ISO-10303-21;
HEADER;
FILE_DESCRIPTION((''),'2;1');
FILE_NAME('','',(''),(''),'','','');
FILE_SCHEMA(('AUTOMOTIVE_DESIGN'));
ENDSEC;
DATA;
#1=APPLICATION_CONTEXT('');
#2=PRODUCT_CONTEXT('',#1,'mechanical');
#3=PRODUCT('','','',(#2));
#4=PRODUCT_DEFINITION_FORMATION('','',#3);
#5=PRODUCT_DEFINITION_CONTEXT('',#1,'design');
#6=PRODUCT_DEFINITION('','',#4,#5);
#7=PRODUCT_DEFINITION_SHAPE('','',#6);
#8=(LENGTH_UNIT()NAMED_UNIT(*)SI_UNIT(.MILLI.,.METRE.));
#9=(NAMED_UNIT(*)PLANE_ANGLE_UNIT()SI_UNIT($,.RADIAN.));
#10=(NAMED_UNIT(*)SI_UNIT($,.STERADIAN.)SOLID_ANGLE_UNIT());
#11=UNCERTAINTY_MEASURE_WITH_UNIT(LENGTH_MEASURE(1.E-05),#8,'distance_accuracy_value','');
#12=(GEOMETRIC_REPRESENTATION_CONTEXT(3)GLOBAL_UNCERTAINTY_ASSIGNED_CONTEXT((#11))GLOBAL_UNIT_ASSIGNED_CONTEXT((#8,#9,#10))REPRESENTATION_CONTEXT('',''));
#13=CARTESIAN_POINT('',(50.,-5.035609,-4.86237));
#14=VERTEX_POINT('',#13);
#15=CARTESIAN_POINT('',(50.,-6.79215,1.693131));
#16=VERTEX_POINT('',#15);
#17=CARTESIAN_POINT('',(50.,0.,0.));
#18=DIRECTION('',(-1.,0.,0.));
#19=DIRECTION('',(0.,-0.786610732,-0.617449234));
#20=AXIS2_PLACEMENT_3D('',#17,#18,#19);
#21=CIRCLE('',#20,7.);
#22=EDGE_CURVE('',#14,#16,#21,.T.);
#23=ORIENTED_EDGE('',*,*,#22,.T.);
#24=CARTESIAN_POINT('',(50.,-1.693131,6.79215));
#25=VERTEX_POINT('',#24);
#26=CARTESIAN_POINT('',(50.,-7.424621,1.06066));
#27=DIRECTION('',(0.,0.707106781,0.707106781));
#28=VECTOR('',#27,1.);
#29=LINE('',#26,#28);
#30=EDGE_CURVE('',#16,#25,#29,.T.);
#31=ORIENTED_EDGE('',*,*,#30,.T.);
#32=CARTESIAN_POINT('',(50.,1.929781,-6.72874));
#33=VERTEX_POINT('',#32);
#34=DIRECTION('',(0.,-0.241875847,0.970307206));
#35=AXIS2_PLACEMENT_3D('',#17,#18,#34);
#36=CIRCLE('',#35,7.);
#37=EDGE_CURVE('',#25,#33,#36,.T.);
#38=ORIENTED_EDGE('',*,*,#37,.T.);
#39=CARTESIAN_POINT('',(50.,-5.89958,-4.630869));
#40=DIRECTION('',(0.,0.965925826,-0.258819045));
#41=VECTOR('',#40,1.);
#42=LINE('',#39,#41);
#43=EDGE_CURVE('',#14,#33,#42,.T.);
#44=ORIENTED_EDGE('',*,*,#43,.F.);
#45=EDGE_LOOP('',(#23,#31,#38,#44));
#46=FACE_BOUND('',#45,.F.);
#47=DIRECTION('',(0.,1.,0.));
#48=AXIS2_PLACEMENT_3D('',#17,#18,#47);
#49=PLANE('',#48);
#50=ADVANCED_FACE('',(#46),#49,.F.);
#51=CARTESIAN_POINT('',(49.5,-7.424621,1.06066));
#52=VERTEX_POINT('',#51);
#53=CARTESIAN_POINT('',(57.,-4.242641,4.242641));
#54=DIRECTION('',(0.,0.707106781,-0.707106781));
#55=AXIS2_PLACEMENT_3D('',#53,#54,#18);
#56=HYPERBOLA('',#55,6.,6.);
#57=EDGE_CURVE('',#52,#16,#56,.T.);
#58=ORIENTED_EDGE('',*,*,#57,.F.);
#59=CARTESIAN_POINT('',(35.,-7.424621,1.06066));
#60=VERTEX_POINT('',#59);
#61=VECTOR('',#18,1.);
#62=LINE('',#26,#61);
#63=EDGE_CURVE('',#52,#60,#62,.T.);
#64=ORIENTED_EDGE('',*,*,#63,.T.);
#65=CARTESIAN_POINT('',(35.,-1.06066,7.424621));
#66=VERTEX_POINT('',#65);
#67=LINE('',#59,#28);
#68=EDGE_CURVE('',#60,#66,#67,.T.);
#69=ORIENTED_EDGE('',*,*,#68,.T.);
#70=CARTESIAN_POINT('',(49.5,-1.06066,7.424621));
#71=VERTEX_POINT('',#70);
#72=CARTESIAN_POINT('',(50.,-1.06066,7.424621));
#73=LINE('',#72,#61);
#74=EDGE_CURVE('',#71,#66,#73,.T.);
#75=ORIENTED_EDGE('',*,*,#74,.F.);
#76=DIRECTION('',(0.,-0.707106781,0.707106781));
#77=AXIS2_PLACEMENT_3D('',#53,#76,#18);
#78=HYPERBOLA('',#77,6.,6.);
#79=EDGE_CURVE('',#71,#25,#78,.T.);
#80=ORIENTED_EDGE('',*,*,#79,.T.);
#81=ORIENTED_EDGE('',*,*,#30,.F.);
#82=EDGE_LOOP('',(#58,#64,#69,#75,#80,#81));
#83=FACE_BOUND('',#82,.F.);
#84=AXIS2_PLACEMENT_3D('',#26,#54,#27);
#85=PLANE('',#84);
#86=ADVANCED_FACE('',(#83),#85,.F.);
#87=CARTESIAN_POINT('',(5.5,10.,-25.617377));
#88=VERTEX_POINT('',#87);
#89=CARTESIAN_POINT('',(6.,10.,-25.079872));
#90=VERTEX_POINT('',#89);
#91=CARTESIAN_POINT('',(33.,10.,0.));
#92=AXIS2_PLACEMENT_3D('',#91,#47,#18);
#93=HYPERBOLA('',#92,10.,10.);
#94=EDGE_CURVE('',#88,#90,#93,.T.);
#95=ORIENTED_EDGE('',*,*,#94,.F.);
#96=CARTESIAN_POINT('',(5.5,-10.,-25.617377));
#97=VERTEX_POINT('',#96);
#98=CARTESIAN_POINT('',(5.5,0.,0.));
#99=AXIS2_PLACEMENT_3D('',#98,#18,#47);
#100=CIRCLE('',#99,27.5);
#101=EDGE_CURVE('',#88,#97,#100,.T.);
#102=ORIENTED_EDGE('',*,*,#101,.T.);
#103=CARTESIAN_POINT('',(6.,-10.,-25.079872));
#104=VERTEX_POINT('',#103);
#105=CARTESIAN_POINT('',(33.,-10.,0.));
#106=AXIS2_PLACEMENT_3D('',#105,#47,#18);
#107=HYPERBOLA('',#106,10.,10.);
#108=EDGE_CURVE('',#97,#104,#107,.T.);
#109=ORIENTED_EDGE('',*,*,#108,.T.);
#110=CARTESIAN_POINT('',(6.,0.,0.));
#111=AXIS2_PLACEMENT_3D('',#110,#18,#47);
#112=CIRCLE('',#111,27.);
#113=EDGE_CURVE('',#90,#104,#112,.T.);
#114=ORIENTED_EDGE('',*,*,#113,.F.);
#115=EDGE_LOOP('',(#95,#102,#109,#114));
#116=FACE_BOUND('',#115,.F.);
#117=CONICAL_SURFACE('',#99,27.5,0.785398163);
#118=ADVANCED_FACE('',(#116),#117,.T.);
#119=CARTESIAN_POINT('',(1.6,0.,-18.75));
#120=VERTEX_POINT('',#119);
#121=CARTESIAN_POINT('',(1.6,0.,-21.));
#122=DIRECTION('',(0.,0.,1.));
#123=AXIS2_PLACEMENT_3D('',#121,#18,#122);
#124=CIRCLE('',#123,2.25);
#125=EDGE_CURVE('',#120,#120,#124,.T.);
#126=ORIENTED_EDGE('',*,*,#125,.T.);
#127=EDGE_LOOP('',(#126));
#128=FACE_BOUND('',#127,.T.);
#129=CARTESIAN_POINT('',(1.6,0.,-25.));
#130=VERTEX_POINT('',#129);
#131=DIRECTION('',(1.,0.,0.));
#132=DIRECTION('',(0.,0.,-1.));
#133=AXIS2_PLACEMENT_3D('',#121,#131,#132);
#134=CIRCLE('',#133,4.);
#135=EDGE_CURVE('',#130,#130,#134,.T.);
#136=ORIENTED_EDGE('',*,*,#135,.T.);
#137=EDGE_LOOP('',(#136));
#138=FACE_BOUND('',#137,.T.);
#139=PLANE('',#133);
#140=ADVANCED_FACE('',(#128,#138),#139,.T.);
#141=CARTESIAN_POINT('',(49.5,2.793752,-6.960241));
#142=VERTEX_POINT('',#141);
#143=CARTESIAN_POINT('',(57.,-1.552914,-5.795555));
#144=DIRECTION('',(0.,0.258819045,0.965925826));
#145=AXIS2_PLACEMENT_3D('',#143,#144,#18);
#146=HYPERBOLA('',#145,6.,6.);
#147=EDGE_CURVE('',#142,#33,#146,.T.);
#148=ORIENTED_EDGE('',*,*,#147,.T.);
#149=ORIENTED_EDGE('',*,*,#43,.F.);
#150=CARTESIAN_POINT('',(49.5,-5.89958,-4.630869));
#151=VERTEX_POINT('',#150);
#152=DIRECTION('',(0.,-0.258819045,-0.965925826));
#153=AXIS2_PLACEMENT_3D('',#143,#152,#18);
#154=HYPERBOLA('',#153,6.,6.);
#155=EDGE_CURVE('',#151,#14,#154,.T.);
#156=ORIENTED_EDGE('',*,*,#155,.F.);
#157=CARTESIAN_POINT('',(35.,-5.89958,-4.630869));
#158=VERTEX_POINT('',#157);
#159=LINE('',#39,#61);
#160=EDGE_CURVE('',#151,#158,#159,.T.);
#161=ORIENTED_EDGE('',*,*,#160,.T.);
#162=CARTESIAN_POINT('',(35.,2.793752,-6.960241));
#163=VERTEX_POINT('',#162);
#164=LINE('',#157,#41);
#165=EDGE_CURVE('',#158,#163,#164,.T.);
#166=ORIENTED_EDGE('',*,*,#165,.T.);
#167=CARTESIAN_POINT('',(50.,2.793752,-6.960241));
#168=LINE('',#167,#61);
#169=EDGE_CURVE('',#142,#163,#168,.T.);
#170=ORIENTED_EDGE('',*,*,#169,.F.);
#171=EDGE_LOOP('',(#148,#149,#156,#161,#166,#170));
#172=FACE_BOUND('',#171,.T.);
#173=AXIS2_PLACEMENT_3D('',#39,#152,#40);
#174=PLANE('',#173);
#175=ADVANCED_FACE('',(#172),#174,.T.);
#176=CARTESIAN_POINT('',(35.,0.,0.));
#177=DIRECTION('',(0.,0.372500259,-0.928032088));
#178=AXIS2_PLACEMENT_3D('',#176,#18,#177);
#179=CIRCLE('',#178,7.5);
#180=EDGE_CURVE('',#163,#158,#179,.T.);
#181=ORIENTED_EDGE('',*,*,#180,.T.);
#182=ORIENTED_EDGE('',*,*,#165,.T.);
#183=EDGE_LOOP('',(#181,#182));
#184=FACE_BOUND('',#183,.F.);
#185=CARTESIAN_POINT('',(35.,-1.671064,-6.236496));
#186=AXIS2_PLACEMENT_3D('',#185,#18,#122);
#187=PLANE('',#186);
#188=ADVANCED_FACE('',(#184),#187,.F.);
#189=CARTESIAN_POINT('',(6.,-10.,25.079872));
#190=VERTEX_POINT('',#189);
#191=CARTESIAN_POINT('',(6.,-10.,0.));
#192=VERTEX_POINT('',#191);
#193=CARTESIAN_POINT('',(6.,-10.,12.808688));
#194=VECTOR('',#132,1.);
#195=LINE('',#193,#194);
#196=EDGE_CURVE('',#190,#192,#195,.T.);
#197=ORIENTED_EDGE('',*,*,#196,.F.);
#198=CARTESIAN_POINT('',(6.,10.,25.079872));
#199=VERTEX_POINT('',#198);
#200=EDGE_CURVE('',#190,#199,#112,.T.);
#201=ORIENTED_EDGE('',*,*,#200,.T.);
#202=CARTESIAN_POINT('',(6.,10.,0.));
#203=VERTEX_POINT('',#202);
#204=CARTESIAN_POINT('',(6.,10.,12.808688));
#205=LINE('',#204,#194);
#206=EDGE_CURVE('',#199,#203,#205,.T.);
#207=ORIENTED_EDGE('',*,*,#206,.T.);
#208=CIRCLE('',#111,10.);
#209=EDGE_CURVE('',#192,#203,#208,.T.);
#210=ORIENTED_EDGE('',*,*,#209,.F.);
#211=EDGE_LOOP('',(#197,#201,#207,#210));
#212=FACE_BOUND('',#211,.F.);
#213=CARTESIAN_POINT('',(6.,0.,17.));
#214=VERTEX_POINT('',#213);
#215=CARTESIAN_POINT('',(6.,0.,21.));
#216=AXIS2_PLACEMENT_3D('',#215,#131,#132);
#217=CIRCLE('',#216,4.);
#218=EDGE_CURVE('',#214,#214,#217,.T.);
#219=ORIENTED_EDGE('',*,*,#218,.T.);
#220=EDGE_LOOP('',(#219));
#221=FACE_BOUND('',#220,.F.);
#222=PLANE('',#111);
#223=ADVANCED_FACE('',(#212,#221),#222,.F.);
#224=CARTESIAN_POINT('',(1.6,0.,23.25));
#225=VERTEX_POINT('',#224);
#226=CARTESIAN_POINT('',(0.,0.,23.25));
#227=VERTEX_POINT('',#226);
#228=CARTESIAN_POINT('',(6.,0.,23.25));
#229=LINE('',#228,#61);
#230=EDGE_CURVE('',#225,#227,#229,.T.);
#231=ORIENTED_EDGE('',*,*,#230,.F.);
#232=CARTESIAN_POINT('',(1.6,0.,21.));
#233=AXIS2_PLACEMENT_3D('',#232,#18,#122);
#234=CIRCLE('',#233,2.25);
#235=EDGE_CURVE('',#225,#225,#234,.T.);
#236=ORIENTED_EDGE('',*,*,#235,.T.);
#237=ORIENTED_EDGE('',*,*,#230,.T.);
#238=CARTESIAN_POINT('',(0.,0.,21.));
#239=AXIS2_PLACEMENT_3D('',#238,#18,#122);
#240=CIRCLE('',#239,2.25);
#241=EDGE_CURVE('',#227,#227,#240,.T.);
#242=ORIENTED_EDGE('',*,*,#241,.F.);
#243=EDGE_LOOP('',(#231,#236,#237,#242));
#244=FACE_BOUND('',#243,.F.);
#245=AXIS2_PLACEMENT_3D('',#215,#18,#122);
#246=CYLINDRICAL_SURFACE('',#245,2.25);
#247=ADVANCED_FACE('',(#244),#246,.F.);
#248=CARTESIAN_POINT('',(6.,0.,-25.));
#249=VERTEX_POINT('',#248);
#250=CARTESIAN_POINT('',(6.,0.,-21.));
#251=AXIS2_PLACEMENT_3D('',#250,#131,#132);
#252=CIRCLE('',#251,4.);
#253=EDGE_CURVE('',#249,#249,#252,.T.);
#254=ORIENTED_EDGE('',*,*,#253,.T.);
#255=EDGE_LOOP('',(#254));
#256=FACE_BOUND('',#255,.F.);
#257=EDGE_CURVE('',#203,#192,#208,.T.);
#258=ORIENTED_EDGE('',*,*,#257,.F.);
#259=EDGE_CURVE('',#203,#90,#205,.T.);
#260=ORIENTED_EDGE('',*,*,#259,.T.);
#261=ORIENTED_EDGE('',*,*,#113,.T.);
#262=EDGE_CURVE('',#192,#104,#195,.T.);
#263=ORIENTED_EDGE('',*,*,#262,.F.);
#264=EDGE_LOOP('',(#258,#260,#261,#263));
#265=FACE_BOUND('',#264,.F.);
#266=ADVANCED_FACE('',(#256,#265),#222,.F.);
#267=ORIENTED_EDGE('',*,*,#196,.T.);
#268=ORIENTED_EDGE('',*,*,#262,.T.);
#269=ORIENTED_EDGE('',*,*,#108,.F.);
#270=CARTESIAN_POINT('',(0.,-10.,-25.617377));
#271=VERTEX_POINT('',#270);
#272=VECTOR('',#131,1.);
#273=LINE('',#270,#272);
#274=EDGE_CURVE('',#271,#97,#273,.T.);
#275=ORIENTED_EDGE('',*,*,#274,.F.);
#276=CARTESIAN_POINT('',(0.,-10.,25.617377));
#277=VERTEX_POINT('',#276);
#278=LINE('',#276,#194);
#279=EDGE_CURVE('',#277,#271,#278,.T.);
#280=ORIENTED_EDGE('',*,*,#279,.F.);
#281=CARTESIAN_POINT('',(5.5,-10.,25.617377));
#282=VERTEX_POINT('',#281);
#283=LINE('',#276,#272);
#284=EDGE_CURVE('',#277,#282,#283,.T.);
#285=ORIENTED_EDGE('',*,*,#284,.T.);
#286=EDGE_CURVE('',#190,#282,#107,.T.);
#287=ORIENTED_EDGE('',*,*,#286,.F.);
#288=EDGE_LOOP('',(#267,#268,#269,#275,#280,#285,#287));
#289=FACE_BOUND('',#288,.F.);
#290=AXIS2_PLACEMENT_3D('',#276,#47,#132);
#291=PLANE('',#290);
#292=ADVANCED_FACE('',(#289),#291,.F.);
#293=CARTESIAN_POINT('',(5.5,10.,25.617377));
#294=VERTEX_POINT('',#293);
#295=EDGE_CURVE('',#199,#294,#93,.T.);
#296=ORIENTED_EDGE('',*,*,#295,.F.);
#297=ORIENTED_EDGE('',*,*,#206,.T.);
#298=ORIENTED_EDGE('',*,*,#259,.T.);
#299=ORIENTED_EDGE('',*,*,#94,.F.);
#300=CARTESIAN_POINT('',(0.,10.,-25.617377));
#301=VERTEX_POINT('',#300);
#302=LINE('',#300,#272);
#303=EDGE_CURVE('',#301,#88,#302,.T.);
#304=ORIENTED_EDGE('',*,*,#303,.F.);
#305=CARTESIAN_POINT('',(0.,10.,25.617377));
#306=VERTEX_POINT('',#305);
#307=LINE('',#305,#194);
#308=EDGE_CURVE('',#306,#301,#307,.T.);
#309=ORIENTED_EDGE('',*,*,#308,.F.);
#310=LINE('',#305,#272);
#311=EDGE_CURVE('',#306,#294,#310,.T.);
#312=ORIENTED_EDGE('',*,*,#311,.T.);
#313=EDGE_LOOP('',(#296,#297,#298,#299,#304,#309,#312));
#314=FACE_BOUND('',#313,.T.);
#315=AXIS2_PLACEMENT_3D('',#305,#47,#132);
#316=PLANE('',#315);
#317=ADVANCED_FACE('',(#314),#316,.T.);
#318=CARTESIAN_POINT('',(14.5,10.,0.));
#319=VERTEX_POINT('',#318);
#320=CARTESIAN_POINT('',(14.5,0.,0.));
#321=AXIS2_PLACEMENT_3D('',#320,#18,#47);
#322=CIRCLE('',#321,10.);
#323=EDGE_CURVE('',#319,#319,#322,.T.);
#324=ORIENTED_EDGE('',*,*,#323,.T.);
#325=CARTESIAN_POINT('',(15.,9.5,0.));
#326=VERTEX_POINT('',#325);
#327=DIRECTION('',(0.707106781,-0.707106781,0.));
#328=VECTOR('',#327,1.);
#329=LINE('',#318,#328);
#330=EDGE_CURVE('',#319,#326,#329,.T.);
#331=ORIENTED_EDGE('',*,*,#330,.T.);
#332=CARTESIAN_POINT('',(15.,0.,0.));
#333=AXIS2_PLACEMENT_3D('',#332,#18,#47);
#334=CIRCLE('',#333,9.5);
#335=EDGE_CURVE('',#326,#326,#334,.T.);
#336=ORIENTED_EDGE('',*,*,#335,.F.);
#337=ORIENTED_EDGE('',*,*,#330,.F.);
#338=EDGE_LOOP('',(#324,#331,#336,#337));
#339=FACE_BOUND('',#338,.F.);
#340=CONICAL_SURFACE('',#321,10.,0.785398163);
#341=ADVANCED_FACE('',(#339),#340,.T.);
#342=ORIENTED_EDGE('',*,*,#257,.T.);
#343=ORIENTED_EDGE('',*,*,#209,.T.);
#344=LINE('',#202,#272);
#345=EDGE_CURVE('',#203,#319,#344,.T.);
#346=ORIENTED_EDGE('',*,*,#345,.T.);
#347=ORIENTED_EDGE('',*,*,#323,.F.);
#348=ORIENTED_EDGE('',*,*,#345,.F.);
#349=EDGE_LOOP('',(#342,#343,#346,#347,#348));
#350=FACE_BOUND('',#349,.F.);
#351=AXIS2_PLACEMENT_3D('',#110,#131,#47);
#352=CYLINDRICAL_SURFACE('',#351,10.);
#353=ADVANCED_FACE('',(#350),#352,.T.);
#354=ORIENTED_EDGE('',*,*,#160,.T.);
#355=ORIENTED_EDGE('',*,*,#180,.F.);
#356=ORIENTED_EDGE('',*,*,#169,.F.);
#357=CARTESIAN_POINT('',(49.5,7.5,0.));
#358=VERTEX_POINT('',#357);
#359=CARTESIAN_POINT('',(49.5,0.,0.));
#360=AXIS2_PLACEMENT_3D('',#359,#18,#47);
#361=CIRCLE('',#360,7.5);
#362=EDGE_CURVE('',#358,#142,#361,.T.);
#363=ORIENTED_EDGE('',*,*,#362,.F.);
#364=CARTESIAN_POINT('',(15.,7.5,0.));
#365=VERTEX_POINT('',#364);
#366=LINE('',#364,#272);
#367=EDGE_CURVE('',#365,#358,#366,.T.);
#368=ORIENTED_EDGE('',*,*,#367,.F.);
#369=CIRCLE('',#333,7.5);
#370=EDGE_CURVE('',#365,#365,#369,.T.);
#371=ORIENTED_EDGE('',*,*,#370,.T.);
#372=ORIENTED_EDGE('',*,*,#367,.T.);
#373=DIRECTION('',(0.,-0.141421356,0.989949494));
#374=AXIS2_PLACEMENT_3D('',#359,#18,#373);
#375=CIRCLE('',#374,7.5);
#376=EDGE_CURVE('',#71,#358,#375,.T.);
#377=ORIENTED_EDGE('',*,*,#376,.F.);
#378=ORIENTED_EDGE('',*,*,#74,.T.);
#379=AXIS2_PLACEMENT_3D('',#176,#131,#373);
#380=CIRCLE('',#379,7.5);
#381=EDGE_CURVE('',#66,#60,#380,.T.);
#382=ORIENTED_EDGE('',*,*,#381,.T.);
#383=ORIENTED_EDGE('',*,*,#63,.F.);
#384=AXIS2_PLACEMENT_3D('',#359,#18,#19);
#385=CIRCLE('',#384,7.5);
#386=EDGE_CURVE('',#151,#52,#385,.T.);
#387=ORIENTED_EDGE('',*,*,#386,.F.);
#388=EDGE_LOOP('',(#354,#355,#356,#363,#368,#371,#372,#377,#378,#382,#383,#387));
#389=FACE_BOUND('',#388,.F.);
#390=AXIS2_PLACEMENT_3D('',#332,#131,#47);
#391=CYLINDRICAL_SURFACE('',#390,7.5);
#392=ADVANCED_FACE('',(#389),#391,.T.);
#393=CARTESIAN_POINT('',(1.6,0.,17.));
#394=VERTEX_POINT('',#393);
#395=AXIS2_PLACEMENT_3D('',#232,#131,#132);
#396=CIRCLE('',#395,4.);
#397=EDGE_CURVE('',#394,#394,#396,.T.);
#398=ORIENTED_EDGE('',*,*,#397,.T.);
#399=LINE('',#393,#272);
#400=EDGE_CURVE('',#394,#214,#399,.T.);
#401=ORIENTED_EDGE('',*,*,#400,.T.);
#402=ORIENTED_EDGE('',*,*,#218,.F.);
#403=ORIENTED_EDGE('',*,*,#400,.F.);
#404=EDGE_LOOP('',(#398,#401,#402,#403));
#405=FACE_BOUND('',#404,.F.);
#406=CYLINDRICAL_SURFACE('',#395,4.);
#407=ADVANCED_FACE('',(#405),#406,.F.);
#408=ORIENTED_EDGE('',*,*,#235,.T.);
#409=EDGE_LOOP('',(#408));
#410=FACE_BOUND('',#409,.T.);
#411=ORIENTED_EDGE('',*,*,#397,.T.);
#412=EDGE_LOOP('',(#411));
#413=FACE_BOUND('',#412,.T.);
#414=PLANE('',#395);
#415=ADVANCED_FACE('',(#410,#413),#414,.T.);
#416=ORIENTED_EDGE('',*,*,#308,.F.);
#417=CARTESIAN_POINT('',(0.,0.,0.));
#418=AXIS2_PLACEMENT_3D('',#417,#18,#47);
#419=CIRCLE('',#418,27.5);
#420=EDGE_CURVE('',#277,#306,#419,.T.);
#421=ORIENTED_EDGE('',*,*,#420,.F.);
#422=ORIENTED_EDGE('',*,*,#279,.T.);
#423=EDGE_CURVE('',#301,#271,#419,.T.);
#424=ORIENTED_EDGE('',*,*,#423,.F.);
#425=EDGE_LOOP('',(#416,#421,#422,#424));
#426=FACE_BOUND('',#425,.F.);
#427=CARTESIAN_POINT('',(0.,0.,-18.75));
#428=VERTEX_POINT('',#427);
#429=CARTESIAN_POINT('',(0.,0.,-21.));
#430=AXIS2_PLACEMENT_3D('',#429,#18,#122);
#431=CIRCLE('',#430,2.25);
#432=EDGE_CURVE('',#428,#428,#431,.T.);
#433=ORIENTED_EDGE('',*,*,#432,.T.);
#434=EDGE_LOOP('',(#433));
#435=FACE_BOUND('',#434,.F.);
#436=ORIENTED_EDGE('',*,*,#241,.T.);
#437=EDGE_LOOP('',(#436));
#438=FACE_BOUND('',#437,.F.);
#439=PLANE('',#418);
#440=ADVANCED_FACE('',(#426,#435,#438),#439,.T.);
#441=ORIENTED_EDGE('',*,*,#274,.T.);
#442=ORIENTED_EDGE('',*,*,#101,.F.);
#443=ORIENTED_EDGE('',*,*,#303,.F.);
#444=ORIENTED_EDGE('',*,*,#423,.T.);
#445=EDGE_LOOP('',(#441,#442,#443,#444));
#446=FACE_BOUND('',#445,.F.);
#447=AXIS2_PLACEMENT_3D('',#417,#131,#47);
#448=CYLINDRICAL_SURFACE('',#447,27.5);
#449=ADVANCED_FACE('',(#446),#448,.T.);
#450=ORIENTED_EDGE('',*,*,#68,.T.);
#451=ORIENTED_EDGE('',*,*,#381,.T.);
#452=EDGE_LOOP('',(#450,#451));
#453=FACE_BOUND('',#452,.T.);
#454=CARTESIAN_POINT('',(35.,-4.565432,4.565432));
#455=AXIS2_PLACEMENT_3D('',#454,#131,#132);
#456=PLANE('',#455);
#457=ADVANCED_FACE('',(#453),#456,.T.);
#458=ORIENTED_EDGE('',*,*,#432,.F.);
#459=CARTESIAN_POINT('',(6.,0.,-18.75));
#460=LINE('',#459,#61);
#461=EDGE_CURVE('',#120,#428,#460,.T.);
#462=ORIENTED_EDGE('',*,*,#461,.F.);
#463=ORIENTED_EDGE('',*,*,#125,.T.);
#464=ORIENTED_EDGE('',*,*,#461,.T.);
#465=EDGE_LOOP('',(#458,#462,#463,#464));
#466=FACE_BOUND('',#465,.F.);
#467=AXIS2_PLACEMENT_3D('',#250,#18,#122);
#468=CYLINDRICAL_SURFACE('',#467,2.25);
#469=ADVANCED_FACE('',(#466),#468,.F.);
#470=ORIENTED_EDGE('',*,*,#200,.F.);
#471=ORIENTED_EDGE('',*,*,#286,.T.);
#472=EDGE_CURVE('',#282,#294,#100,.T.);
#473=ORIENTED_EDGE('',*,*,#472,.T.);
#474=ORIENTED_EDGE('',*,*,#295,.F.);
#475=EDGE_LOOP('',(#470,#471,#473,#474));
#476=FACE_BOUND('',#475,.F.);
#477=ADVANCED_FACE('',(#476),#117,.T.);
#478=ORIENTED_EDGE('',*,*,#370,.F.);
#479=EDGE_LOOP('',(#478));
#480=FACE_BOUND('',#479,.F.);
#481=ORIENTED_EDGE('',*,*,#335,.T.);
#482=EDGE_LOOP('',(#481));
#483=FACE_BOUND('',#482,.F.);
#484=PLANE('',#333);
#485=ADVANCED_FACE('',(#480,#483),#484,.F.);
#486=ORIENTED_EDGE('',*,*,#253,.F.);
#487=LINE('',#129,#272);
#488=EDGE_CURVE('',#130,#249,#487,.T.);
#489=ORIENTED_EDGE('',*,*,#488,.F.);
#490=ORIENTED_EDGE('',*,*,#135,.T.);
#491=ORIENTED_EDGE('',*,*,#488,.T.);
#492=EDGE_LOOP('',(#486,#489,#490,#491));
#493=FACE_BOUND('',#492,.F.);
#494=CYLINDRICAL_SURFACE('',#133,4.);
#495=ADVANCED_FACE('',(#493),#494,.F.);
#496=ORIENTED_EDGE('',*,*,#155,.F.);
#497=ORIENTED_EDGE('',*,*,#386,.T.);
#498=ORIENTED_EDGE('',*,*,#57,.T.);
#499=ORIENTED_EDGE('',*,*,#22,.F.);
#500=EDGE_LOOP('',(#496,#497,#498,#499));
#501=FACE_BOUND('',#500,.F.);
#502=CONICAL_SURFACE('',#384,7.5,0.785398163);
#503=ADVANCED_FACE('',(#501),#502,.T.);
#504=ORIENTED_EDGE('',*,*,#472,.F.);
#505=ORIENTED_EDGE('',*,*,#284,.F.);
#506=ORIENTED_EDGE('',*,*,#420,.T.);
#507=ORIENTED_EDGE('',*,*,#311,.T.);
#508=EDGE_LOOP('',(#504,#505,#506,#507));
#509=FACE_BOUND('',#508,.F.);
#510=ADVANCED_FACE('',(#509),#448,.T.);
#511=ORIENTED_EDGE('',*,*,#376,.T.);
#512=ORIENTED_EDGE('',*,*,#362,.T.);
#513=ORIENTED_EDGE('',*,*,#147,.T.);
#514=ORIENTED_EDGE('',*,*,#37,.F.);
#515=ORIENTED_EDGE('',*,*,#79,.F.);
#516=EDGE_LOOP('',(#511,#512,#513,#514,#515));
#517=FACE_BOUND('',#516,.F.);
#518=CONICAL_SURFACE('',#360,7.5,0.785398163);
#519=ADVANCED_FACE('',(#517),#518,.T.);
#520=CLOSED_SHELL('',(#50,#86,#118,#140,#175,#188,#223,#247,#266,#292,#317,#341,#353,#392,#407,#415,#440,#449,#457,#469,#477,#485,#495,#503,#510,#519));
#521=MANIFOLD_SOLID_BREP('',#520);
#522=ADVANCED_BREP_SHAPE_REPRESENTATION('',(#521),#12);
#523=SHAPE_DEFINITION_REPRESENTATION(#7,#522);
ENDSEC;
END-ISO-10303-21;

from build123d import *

# Parameters (mm, degrees)
CHANFREIN1_SIZE                                    = 0.5
CHAMBRAGE_POUR_VIS_T_TE_HEXAGONALE_M41_D           = 4.5
CHAMBRAGE_POUR_VIS_T_TE_HEXAGONALE_M41_CBORE_D     = 8
CHAMBRAGE_POUR_VIS_T_TE_HEXAGONALE_M41_CBORE_DEPTH = 4.4
ENL_V_MAT_EXTRU_1_DEPTH                            = 15
ENL_V_MAT_EXTRU_2_DEPTH                            = 64.344297297
CHANFREIN3_SIZE                                    = 0.5


with BuildPart() as part:
    # Esquisse1 → Révolution1 (revolve)
    with BuildSketch(Plane.XY):
        Polygon((15, 7.5), (50, 7.5), (50, 0), (0, 0), (0, 27.5), (6, 27.5), (6, 10), (15, 10), align=None)
    revolve(axis=Axis((50, 0, 0), (-1, 0, 0)))

    # Chanfrein1
    chanfrein1_edges = [part.edges().sort_by_distance(p)[0] for p in [
        (6, -27.5, 0),
        (15, -10, 0),
    ]]
    chamfer(chanfrein1_edges, length=CHANFREIN1_SIZE)

    # Chambrage pour vis à tête hexagonale M41 (through all)
    with Locations(Plane(origin=(6, 0, 0), x_dir=(0, 0, -1), z_dir=(1, 0, 0))):
        with Locations((-21, 0), (21, 0)):
            CounterBoreHole(CHAMBRAGE_POUR_VIS_T_TE_HEXAGONALE_M41_D / 2, CHAMBRAGE_POUR_VIS_T_TE_HEXAGONALE_M41_CBORE_D / 2, CHAMBRAGE_POUR_VIS_T_TE_HEXAGONALE_M41_CBORE_DEPTH)

    # Esquisse8 → Enlèv. mat.-Extru.1 (cut)
    with BuildSketch(Plane(origin=(50, 0, 0), x_dir=(0, 0, -1), z_dir=(1, 0, 0))):
        with BuildLine():
            Line((-1.060660172, -7.424621202), (-7.424621202, -1.060660172))
            ThreePointArc((-7.424621202, -1.060660172), (-5.303300859, -5.303300859), (-1.060660172, -7.424621202))
        make_face()
        with BuildLine():
            Line((4.630869255, -5.899580489), (6.960240661, 2.793751948))
            ThreePointArc((6.960240661, 2.793751948), (7.244443697, -1.941142838), (4.630869255, -5.899580489))
        make_face()
    extrude(amount=-ENL_V_MAT_EXTRU_1_DEPTH, mode=Mode.SUBTRACT)

    # Esquisse11 → Enlèv. mat.-Extru.2 (cut, through all)
    with BuildSketch(Plane.ZY):
        with BuildLine():
            Line((25.617376915, -10), (-25.617376915, -10))
            ThreePointArc((-25.617376915, -10), (0, -27.5), (25.617376915, -10))
        make_face()
        with BuildLine():
            Line((25.617376915, 10), (-25.617376915, 10))
            ThreePointArc((-25.617376915, 10), (0, 27.5), (25.617376915, 10))
        make_face()
    extrude(amount=-ENL_V_MAT_EXTRU_2_DEPTH, mode=Mode.SUBTRACT)

    # Chanfrein3
    chanfrein3_edges = [part.edges().sort_by_distance(p)[0] for p in [
        (50, -7.244443697, -1.941142838),
        (50, 4.91401306, 5.665904662),
    ]]
    chamfer(chanfrein3_edges, length=CHANFREIN3_SIZE)


solid = part.part
